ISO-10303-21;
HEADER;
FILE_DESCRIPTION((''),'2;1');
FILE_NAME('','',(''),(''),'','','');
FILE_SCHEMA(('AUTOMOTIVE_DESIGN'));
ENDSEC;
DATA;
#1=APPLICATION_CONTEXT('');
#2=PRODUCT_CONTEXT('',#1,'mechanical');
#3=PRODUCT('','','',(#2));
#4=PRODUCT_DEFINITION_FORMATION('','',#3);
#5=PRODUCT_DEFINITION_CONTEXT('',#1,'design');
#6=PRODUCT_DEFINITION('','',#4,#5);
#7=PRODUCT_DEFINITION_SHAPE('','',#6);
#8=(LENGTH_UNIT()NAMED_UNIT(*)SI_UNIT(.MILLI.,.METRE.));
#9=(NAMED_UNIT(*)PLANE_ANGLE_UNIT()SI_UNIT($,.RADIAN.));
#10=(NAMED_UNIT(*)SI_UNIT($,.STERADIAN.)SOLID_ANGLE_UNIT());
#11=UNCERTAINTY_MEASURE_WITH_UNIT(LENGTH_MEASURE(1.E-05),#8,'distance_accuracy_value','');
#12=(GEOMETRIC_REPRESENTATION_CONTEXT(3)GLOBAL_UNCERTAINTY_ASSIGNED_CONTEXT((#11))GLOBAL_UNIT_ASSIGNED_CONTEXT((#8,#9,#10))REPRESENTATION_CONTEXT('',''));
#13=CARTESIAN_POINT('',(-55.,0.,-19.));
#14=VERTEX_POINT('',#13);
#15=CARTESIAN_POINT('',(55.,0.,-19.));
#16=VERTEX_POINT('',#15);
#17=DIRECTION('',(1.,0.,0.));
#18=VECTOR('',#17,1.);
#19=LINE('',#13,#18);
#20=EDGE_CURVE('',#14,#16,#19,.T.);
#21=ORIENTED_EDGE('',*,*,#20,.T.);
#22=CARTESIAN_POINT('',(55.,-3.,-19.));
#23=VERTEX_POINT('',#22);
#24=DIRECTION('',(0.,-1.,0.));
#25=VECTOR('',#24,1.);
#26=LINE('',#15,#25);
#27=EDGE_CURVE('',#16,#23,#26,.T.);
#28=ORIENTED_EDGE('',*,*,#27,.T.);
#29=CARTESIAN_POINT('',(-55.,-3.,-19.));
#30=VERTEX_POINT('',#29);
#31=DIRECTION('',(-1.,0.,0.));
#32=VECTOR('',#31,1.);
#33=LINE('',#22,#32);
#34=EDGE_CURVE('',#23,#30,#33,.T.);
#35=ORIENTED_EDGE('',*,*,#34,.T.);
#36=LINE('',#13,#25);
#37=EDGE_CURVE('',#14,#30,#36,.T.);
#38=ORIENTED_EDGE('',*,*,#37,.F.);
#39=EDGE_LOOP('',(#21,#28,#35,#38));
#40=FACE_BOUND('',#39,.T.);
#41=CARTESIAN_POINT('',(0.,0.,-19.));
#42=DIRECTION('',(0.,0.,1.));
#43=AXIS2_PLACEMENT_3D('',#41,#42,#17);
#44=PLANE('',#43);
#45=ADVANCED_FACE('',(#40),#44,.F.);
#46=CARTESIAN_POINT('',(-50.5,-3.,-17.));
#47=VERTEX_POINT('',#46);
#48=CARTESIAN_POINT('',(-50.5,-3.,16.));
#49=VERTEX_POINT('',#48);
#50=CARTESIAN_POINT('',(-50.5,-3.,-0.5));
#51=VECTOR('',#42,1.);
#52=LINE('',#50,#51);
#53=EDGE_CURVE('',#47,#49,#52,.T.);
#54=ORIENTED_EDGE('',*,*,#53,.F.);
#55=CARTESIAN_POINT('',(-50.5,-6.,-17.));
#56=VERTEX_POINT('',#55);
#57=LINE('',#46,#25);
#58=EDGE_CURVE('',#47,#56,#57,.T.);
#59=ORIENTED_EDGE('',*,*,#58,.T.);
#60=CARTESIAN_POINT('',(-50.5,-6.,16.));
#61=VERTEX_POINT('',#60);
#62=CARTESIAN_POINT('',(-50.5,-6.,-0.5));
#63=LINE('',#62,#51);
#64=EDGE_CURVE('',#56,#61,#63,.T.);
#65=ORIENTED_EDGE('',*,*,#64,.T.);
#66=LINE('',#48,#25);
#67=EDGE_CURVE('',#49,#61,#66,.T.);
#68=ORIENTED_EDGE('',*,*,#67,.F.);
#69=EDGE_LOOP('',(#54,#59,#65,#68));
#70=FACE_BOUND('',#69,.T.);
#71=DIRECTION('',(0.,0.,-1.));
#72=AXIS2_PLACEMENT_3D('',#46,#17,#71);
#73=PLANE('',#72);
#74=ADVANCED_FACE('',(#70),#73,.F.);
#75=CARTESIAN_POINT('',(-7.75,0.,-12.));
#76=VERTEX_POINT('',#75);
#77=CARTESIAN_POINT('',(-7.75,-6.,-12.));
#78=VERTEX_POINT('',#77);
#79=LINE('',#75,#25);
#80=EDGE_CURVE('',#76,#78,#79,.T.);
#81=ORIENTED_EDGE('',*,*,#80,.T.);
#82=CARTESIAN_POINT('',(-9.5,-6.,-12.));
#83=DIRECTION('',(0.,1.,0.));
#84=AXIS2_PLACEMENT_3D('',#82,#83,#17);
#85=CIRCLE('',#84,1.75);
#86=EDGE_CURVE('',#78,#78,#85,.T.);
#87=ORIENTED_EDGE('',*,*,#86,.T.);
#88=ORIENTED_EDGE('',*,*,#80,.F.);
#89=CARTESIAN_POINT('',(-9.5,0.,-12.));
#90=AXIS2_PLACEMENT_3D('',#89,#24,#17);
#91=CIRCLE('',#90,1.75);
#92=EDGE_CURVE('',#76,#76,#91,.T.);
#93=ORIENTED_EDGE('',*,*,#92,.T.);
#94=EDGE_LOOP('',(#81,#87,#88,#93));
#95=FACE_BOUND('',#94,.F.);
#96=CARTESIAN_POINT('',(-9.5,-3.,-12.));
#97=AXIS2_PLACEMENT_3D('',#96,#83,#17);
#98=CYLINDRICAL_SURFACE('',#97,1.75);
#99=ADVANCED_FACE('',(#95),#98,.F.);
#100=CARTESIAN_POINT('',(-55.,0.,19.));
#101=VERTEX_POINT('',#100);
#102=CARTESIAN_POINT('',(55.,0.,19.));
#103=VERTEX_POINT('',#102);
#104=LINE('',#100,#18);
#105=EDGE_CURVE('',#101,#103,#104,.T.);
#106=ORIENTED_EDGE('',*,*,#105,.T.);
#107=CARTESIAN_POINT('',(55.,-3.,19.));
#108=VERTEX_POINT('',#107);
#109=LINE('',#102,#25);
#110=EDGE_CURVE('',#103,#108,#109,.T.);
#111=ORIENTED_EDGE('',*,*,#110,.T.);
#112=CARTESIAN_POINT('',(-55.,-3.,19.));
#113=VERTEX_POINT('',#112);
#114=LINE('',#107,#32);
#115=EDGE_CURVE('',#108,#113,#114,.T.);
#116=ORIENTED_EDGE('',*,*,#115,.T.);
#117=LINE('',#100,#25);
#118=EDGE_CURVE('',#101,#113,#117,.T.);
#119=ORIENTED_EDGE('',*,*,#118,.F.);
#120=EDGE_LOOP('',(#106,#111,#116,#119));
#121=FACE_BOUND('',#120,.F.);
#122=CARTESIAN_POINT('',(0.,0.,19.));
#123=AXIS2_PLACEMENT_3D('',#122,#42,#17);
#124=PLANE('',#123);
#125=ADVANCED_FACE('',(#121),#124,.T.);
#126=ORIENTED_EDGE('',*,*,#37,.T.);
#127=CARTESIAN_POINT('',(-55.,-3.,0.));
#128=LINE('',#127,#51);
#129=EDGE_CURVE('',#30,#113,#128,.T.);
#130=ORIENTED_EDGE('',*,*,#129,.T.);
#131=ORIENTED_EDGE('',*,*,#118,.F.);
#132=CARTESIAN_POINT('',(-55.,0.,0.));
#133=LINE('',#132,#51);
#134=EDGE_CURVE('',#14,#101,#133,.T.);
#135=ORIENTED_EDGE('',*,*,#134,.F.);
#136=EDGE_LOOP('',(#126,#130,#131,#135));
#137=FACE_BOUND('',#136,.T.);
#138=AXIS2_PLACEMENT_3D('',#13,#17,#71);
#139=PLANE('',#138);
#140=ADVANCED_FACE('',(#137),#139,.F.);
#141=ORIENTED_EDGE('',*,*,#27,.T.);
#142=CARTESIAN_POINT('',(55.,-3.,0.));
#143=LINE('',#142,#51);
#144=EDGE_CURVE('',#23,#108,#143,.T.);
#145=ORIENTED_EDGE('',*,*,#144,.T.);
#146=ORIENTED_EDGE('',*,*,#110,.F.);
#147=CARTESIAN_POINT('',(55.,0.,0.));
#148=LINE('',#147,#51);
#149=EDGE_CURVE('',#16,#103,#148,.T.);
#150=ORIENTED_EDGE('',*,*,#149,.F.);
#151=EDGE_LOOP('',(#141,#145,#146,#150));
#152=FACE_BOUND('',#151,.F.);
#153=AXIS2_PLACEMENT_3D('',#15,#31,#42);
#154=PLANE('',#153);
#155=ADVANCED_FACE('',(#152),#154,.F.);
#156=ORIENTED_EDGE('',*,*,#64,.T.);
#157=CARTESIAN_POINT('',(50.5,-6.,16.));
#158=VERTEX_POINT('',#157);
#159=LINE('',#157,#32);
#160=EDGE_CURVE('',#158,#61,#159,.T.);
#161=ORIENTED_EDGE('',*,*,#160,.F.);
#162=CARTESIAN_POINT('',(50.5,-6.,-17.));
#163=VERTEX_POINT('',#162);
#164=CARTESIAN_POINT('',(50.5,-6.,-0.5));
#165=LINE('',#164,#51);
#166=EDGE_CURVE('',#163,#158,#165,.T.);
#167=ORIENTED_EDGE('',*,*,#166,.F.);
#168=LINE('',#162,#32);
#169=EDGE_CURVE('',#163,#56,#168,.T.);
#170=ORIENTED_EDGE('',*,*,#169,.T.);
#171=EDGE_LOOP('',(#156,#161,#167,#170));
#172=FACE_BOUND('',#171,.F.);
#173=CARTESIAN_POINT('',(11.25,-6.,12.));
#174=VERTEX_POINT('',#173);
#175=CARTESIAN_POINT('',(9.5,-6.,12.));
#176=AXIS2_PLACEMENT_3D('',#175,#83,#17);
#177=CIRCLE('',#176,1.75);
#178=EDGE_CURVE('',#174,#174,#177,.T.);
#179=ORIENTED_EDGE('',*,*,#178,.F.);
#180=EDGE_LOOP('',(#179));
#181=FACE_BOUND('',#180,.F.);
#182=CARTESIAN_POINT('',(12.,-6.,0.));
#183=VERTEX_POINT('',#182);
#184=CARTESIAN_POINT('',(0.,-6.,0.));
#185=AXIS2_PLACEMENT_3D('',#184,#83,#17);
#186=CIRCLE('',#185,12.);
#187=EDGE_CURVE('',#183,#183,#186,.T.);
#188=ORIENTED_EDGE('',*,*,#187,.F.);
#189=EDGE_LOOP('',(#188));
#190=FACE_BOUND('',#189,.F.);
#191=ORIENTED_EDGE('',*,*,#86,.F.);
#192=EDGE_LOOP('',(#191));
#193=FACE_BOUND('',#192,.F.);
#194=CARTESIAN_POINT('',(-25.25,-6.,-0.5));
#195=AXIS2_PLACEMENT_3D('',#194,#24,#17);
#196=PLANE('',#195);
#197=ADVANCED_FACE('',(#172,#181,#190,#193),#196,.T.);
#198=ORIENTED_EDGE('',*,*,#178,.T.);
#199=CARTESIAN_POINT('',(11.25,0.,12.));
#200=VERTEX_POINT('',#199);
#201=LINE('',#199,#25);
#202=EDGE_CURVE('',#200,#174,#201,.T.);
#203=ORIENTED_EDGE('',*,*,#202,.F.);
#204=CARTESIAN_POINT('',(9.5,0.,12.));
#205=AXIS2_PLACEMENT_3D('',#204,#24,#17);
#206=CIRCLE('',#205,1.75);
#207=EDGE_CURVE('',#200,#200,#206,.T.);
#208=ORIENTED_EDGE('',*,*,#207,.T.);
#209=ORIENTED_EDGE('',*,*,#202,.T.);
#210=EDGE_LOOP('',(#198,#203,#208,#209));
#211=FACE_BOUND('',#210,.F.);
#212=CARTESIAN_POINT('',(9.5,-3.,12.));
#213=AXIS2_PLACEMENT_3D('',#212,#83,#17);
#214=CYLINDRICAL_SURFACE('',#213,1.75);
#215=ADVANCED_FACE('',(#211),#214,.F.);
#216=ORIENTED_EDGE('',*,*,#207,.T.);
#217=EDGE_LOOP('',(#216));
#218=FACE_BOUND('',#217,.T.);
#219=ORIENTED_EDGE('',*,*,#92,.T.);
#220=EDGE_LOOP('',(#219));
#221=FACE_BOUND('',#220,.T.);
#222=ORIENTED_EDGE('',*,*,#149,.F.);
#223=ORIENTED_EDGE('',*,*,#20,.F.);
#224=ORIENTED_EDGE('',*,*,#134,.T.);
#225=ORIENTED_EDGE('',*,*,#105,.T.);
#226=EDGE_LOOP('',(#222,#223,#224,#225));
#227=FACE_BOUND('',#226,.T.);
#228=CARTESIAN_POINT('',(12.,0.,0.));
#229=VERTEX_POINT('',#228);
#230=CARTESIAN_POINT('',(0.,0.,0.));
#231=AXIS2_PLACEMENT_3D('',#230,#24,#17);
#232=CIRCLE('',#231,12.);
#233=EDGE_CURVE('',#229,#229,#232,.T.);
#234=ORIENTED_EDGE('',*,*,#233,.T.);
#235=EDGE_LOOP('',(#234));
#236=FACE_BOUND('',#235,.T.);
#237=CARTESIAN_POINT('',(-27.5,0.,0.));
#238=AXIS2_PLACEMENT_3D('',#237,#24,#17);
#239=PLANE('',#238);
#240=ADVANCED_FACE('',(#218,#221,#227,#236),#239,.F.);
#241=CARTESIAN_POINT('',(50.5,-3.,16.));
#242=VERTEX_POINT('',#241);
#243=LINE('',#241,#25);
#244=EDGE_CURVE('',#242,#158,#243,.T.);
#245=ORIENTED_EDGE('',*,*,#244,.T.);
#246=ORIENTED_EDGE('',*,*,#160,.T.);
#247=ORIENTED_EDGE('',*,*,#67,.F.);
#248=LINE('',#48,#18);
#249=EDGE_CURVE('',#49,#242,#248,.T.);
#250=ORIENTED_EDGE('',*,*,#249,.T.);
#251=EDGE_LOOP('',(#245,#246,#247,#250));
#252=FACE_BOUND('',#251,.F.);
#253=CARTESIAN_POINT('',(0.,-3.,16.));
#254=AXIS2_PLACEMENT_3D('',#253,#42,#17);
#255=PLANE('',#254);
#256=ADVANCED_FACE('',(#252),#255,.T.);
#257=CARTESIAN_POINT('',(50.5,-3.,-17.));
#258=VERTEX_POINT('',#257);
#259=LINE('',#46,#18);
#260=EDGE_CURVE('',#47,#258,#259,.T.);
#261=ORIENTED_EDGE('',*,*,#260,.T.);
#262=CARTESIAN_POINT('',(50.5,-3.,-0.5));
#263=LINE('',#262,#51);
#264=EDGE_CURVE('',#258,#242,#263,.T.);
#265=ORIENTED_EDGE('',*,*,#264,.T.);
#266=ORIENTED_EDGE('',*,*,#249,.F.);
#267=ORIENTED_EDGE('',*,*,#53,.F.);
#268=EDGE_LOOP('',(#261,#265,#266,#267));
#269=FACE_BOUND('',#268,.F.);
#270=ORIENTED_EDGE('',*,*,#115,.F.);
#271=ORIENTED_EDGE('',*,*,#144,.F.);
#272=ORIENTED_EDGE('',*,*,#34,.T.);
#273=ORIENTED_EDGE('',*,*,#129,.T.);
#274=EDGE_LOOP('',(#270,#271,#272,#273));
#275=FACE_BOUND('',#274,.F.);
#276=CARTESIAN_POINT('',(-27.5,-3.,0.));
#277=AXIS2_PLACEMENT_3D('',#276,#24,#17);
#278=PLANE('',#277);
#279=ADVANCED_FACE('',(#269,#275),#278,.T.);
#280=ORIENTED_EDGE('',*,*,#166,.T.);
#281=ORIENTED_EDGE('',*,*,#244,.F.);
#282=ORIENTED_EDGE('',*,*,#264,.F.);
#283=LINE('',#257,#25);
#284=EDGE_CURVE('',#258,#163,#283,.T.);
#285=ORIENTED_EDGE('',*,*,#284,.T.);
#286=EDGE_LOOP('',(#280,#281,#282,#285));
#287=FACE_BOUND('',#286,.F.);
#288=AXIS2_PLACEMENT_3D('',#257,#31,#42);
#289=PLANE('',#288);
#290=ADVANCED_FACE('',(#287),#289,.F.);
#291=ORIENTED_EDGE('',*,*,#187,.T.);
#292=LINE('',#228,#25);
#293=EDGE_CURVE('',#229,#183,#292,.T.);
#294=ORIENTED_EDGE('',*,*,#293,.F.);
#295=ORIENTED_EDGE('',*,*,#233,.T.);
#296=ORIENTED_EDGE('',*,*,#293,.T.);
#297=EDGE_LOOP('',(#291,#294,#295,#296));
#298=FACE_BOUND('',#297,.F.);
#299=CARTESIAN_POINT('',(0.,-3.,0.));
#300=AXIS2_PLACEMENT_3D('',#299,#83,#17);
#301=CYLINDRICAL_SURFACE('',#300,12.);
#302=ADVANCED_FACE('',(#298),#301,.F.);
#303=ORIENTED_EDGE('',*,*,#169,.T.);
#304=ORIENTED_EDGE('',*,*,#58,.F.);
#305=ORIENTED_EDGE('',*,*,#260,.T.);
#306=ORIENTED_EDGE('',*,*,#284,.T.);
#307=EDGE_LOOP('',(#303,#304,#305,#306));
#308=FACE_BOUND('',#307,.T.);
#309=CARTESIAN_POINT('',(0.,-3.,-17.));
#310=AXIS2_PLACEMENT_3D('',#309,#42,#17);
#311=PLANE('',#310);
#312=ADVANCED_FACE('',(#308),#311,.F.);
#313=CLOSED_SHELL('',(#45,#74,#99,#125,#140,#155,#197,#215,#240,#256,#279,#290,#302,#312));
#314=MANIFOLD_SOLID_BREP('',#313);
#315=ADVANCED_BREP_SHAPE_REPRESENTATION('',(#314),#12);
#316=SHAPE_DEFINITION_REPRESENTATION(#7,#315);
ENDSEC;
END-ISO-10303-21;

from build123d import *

# Parameters (mm, degrees)
SKETCH_W          = 55
SKETCH_H          = 38
PAD_DEPTH         = 3
SKETCH001_W       = 50.5
SKETCH001_H       = 33
PAD001_DEPTH      = 3
SKETCH003_R       = 1.75
SKETCH003_R_2     = 12
POCKET_DEPTH      = 5
POCKET_DEPTH_BACK = 5


with BuildPart() as part:
    # Sketch → Pad (new body)
    with BuildSketch(Plane.XZ):
        with Locations((27.5, 0)):
            Rectangle(SKETCH_W, SKETCH_H)
    pad = extrude(amount=PAD_DEPTH)

    # Sketch001 (on Face6 of Pad) → Pad001 (join)
    with BuildSketch(Plane.XZ.offset(3)):
        with Locations((25.25, -0.5)):
            Rectangle(SKETCH001_W, SKETCH001_H)
    pad001 = extrude(amount=PAD001_DEPTH)

    # Mirrored: Pad, Pad001 across Sketch V_Axis
    add(pad.mirror(Plane(origin=(0, 0, 0), x_dir=(0, -1, 0), z_dir=(1, 0, 0))))
    add(pad001.mirror(Plane(origin=(0, 0, 0), x_dir=(0, -1, 0), z_dir=(1, 0, 0))))

    # Sketch003 → Pocket (cut, two sides)
    with BuildSketch(Plane(origin=(0, -3, 0), x_dir=(1, 0, 0), z_dir=(0, 1, 0))) as pocket_sk:
        with Locations((9.5, -12)):
            Circle(SKETCH003_R)
        with Locations((-9.5, 12)):
            Circle(SKETCH003_R)
        Circle(SKETCH003_R_2)
    extrude(amount=POCKET_DEPTH, mode=Mode.SUBTRACT)
    extrude(pocket_sk.sketch, amount=-POCKET_DEPTH_BACK, mode=Mode.SUBTRACT)


solid = part.part
